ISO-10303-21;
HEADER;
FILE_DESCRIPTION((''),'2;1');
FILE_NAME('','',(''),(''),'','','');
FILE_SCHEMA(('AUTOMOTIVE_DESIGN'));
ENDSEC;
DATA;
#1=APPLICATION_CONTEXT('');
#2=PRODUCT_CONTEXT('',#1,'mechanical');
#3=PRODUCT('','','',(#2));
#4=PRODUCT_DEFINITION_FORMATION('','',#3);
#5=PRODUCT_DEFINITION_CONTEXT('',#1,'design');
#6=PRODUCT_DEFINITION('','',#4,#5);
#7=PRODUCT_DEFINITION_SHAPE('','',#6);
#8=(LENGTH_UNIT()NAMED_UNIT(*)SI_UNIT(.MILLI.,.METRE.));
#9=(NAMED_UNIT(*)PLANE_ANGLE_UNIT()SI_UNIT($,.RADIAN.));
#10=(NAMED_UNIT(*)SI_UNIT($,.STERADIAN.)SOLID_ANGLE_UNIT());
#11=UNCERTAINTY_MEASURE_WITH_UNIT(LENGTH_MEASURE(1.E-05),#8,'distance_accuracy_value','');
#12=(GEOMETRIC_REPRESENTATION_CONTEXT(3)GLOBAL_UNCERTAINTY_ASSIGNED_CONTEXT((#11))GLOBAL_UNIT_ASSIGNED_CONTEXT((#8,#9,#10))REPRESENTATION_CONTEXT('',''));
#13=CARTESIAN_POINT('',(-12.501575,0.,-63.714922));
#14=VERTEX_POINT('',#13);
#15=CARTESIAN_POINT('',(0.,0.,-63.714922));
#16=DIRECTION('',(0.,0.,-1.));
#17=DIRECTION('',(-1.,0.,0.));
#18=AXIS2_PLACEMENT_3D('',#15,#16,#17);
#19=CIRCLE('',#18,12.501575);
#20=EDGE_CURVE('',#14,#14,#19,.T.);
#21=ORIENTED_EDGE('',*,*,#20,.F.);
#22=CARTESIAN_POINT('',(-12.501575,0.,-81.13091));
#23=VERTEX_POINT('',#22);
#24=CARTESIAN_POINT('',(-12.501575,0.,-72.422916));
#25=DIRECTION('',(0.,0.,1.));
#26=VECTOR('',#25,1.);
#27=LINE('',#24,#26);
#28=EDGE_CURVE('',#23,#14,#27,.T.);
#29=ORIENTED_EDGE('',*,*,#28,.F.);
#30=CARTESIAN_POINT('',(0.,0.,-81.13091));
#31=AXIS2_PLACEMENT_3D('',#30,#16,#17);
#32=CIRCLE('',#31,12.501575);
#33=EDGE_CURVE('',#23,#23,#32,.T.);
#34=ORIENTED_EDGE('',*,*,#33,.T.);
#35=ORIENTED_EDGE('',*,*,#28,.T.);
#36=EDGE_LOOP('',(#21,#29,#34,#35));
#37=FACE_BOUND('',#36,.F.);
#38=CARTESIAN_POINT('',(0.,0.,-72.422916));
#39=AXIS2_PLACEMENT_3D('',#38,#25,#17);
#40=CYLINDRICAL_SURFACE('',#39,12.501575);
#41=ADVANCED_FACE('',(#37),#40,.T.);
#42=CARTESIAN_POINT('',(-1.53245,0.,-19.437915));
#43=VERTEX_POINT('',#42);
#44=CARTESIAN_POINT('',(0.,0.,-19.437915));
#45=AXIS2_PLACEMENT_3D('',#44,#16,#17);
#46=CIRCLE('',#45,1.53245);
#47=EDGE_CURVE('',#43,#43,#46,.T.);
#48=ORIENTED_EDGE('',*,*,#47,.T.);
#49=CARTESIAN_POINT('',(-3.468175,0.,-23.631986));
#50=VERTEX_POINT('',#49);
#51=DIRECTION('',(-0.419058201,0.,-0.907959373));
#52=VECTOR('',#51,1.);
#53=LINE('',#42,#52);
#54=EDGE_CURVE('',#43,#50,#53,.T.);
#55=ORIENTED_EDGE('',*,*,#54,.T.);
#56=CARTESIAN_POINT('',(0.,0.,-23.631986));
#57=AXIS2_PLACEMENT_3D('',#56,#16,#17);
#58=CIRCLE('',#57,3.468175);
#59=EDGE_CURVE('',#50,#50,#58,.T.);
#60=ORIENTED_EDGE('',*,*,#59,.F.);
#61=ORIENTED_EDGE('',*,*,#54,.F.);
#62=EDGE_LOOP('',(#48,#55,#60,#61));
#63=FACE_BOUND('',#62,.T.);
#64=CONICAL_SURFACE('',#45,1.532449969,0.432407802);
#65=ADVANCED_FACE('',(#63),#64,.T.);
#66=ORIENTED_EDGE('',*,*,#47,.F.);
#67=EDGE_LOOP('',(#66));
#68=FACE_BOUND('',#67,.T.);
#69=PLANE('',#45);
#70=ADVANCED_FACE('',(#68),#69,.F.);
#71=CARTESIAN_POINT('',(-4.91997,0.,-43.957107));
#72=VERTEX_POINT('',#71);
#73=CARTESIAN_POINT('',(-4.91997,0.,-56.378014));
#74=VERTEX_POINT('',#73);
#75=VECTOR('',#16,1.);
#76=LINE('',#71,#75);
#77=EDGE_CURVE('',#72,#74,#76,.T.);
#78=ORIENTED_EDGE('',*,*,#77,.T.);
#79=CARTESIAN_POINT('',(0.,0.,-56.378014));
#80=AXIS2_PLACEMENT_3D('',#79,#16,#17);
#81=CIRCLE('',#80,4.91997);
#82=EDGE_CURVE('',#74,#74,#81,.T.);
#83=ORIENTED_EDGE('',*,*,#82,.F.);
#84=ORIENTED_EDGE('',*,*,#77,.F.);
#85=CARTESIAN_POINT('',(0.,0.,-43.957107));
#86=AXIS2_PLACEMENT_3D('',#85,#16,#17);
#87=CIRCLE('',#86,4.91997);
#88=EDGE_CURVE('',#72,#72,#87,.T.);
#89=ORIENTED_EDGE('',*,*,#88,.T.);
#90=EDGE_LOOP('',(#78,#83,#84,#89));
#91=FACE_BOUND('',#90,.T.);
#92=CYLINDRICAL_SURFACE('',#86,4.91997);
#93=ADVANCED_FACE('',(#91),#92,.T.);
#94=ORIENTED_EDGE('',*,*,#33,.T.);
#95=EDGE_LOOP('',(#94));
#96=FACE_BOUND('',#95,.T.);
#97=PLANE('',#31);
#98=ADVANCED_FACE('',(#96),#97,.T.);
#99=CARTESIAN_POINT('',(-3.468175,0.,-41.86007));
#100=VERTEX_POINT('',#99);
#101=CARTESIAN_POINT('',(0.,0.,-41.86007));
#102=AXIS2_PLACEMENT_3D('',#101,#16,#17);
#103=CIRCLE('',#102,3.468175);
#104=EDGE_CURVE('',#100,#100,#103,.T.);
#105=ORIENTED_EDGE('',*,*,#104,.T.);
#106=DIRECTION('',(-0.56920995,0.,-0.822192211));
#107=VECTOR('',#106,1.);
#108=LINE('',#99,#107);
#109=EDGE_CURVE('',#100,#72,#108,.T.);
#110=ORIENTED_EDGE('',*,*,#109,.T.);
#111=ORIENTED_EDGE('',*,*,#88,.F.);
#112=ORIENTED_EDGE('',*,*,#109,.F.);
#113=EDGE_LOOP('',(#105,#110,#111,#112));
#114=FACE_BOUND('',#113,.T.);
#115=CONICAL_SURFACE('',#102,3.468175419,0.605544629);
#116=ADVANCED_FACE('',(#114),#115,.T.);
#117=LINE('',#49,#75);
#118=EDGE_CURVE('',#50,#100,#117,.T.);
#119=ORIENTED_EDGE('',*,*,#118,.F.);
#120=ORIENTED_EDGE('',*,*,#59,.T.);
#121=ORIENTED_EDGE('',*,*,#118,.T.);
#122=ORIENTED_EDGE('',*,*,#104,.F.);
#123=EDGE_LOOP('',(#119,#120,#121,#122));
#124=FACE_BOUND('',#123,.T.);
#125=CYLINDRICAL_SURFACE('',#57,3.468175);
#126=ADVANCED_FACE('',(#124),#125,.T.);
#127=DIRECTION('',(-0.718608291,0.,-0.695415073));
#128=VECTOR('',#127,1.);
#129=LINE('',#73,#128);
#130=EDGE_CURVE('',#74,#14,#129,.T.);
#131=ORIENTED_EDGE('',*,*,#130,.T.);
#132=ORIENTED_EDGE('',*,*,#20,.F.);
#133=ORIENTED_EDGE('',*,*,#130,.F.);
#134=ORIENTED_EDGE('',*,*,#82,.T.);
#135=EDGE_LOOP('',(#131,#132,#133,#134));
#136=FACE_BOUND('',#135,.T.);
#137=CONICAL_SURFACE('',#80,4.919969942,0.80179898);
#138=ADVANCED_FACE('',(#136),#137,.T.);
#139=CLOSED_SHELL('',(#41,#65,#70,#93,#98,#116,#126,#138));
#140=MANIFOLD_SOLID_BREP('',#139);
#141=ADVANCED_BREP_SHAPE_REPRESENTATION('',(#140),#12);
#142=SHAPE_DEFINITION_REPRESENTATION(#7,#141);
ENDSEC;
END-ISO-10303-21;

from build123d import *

# Parameters (mm, degrees)
F0_W = 12.5015752
F0_H = 17.4159876299


with BuildPart() as f1:
    # F0 (on Front) → F1 (revolve)
    with BuildSketch(Plane.XZ):
        with Locations((-6.2507876, -72.4229157223)):
            Rectangle(F0_W, F0_H)
        Polygon((-12.5015752, -63.7149219074), (0, -63.7149219074), (0, -19.4379147142), (-1.5324499691, -19.4379147142), (-3.4681754187, -23.6319862306), (-3.4681754187, -41.8600700796), (-4.9199699424, -43.9571067691), (-4.9199699424, -56.3780143857), align=None)
    revolve(axis=Axis((0, 0, -47.0220060088), (0, 0, -1)))


solid = f1.part
